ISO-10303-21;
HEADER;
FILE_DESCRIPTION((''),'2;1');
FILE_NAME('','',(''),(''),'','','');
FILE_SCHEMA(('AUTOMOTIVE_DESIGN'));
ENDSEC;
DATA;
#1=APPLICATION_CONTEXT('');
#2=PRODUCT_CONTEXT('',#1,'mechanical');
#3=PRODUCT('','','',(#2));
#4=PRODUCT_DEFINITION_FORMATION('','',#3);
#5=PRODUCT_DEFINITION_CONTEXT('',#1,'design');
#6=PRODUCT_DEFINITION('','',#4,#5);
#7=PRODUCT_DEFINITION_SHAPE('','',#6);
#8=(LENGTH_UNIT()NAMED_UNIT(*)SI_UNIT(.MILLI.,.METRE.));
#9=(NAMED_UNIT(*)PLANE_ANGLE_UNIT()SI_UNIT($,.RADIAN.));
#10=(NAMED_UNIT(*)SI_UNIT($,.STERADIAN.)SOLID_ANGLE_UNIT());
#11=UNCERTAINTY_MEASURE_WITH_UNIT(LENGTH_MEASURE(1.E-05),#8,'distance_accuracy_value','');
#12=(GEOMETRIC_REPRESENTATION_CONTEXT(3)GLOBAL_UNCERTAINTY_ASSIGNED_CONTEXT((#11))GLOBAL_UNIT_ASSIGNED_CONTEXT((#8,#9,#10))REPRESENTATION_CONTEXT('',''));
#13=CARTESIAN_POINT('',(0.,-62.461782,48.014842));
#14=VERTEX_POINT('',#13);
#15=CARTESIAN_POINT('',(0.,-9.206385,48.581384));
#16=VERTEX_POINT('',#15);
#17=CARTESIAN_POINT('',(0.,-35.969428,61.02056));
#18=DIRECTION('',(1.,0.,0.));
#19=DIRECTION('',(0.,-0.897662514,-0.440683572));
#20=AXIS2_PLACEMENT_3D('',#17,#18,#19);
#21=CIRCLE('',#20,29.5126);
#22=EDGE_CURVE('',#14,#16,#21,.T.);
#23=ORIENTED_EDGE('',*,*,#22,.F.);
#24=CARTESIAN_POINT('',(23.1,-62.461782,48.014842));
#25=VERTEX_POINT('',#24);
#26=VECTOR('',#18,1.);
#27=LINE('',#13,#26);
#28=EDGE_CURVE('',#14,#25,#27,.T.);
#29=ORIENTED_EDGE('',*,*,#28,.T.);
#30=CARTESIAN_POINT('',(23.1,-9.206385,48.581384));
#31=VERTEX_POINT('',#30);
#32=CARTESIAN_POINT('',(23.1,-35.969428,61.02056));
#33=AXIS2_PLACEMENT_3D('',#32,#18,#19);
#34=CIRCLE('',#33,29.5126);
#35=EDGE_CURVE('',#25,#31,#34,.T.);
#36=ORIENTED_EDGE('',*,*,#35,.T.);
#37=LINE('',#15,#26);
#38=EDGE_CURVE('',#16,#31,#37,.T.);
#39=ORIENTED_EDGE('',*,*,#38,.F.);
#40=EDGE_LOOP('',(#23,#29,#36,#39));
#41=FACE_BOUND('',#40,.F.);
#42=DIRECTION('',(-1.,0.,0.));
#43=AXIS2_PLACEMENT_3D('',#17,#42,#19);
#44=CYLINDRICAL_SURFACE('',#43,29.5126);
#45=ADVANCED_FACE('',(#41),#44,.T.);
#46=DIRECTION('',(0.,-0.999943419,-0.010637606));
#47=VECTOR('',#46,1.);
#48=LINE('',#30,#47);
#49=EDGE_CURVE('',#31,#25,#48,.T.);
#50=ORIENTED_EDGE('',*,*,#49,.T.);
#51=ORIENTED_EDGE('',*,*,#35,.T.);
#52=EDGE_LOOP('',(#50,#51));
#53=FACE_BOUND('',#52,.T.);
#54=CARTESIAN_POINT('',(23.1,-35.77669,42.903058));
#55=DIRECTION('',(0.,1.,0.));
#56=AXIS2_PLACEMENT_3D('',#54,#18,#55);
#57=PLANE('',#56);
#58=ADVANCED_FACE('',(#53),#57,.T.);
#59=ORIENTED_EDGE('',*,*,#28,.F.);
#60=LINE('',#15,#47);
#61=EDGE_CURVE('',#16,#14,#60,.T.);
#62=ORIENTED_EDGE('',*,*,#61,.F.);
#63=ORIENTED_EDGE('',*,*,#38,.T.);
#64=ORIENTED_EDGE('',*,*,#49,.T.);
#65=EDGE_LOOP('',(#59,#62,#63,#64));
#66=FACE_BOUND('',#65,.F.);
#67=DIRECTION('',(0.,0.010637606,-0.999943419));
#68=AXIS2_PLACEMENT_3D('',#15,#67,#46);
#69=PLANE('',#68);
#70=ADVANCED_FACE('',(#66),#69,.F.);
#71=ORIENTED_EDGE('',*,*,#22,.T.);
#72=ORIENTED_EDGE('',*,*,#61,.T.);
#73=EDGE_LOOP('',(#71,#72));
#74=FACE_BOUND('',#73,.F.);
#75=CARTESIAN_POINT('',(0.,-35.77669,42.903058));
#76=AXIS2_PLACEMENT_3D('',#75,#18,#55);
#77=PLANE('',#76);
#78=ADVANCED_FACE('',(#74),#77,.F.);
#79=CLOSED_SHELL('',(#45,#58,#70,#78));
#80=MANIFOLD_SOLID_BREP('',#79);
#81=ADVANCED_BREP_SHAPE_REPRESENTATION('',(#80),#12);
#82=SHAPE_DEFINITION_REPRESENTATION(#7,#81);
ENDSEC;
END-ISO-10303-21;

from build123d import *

# Parameters (mm, degrees)
F1_DEPTH = 23.1


with BuildPart() as f1:
    # F0 (on Right) → F1 (new body)
    with BuildSketch(Plane.YZ):
        with BuildLine():
            Line((-9.206385, 48.581384), (-62.461782, 48.014842))
            ThreePointArc((-62.461782, 48.014842), (-35.655484, 31.50963), (-9.206385, 48.581384))
        make_face()
    extrude(amount=F1_DEPTH)


solid = f1.part
